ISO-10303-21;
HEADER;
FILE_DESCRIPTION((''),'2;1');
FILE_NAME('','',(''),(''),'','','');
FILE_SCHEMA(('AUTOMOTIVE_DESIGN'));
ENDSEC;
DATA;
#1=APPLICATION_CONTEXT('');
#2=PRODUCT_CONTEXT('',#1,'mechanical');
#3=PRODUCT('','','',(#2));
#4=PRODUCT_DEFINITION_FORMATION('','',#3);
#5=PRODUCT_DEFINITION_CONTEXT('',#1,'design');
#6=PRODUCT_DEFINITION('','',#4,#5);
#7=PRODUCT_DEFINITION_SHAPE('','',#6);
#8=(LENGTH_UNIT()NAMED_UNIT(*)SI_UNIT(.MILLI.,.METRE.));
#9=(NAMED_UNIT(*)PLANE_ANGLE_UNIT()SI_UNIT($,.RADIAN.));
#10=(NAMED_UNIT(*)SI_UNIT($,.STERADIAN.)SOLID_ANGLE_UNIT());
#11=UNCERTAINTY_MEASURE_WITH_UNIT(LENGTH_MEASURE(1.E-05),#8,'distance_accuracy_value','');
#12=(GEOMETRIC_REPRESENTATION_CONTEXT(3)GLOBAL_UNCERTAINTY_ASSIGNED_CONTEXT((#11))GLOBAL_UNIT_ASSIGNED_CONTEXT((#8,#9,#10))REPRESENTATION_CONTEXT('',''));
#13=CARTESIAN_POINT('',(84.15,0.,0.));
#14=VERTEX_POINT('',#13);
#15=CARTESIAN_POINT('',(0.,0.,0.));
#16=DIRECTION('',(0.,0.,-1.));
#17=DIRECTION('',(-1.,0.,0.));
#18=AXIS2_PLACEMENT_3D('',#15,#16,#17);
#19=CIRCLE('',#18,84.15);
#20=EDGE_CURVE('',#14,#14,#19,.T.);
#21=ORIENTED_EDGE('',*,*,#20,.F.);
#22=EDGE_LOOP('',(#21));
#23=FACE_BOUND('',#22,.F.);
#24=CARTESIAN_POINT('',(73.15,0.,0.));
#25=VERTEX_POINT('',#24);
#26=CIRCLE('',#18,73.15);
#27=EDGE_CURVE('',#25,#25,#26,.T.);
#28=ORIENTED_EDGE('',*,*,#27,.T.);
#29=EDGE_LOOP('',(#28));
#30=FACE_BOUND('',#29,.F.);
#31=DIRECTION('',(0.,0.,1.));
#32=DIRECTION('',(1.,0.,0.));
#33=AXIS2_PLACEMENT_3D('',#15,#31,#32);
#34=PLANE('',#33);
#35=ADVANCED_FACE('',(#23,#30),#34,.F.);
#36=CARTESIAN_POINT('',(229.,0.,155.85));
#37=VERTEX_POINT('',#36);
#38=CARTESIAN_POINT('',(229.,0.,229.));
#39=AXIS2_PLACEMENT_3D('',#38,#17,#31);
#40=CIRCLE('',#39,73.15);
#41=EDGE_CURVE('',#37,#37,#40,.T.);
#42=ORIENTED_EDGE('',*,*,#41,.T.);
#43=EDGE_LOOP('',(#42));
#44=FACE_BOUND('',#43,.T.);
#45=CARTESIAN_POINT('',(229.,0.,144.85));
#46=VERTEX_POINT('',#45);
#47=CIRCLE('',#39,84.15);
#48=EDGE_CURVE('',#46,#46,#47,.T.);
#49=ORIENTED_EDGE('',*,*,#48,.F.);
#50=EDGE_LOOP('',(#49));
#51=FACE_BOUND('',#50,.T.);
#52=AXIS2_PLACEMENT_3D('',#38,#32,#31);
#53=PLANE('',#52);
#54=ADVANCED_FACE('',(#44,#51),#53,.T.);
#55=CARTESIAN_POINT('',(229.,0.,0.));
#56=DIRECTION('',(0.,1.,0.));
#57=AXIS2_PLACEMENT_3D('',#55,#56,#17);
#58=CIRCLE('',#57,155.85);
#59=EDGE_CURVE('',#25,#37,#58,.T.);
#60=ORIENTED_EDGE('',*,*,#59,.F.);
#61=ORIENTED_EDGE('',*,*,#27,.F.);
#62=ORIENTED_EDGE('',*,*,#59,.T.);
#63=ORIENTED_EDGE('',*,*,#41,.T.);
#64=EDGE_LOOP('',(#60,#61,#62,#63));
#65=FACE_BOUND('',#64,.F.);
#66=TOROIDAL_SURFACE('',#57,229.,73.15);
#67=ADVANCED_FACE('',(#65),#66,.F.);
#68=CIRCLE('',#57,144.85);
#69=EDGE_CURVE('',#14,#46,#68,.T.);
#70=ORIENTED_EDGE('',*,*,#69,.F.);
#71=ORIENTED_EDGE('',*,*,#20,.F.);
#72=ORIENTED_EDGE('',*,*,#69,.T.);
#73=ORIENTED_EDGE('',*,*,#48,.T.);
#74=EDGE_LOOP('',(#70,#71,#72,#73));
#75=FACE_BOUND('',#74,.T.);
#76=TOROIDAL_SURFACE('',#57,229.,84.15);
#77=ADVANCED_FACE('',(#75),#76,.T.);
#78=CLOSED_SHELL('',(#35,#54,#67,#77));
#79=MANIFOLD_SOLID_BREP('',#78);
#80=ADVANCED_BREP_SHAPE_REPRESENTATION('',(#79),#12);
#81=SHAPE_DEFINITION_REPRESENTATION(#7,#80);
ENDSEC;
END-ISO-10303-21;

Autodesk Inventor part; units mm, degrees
ref_plane "YZ Plane" through (0, 0, 0) normal (1, 0, 0) x (0, 1, 0)
ref_plane "XZ Plane" through (0, 0, 0) normal (0, 1, 0) x (-1, 0, 0)
ref_plane "XY Plane" through (0, 0, 0) normal (0, 0, 1) x (1, 0, 0)
sketch "Sketch1" plane through (0, 0, 0) normal (0, 0, 1) x (1, 0, 0)
  circle A0 centre (0, 0) radius 73.15
  circle A1 centre (0, 0) radius 84.15
  dimension "d0" = 146.3
  dimension "d1" = 168.3
sketch "Sketch2" plane through (0, 0, 0) normal (0, 1, 0) x (-1, 0, 0)
  line L0 (0, 0) -> (0, 229) construction
  line L1 (0, 229) -> (-229, 229) construction
  arc A0 (0, 0) -> (-229, 229) centre (-229, 0) ccw
  dimension "d2" = 229
  dimension "d3" = 229
sweep "Sweep1" add profiles "Sketch1" path "Sketch2"
equation "\"d0\" = -2 * T + D"
equation "\"d1\" = D"
equation "\"d2\" = F1"
equation "\"d3\" = F1"
equation "\"D\" = 168.3"
equation "\"F1\" = 229"
equation "\"T\" = 11"
equation "\"Size_Designation\" = 1.2345"
properties part number "ISO 5251 Bends 3D without straight ends(90 deg) DN150 11" material "Stainless Steel"
